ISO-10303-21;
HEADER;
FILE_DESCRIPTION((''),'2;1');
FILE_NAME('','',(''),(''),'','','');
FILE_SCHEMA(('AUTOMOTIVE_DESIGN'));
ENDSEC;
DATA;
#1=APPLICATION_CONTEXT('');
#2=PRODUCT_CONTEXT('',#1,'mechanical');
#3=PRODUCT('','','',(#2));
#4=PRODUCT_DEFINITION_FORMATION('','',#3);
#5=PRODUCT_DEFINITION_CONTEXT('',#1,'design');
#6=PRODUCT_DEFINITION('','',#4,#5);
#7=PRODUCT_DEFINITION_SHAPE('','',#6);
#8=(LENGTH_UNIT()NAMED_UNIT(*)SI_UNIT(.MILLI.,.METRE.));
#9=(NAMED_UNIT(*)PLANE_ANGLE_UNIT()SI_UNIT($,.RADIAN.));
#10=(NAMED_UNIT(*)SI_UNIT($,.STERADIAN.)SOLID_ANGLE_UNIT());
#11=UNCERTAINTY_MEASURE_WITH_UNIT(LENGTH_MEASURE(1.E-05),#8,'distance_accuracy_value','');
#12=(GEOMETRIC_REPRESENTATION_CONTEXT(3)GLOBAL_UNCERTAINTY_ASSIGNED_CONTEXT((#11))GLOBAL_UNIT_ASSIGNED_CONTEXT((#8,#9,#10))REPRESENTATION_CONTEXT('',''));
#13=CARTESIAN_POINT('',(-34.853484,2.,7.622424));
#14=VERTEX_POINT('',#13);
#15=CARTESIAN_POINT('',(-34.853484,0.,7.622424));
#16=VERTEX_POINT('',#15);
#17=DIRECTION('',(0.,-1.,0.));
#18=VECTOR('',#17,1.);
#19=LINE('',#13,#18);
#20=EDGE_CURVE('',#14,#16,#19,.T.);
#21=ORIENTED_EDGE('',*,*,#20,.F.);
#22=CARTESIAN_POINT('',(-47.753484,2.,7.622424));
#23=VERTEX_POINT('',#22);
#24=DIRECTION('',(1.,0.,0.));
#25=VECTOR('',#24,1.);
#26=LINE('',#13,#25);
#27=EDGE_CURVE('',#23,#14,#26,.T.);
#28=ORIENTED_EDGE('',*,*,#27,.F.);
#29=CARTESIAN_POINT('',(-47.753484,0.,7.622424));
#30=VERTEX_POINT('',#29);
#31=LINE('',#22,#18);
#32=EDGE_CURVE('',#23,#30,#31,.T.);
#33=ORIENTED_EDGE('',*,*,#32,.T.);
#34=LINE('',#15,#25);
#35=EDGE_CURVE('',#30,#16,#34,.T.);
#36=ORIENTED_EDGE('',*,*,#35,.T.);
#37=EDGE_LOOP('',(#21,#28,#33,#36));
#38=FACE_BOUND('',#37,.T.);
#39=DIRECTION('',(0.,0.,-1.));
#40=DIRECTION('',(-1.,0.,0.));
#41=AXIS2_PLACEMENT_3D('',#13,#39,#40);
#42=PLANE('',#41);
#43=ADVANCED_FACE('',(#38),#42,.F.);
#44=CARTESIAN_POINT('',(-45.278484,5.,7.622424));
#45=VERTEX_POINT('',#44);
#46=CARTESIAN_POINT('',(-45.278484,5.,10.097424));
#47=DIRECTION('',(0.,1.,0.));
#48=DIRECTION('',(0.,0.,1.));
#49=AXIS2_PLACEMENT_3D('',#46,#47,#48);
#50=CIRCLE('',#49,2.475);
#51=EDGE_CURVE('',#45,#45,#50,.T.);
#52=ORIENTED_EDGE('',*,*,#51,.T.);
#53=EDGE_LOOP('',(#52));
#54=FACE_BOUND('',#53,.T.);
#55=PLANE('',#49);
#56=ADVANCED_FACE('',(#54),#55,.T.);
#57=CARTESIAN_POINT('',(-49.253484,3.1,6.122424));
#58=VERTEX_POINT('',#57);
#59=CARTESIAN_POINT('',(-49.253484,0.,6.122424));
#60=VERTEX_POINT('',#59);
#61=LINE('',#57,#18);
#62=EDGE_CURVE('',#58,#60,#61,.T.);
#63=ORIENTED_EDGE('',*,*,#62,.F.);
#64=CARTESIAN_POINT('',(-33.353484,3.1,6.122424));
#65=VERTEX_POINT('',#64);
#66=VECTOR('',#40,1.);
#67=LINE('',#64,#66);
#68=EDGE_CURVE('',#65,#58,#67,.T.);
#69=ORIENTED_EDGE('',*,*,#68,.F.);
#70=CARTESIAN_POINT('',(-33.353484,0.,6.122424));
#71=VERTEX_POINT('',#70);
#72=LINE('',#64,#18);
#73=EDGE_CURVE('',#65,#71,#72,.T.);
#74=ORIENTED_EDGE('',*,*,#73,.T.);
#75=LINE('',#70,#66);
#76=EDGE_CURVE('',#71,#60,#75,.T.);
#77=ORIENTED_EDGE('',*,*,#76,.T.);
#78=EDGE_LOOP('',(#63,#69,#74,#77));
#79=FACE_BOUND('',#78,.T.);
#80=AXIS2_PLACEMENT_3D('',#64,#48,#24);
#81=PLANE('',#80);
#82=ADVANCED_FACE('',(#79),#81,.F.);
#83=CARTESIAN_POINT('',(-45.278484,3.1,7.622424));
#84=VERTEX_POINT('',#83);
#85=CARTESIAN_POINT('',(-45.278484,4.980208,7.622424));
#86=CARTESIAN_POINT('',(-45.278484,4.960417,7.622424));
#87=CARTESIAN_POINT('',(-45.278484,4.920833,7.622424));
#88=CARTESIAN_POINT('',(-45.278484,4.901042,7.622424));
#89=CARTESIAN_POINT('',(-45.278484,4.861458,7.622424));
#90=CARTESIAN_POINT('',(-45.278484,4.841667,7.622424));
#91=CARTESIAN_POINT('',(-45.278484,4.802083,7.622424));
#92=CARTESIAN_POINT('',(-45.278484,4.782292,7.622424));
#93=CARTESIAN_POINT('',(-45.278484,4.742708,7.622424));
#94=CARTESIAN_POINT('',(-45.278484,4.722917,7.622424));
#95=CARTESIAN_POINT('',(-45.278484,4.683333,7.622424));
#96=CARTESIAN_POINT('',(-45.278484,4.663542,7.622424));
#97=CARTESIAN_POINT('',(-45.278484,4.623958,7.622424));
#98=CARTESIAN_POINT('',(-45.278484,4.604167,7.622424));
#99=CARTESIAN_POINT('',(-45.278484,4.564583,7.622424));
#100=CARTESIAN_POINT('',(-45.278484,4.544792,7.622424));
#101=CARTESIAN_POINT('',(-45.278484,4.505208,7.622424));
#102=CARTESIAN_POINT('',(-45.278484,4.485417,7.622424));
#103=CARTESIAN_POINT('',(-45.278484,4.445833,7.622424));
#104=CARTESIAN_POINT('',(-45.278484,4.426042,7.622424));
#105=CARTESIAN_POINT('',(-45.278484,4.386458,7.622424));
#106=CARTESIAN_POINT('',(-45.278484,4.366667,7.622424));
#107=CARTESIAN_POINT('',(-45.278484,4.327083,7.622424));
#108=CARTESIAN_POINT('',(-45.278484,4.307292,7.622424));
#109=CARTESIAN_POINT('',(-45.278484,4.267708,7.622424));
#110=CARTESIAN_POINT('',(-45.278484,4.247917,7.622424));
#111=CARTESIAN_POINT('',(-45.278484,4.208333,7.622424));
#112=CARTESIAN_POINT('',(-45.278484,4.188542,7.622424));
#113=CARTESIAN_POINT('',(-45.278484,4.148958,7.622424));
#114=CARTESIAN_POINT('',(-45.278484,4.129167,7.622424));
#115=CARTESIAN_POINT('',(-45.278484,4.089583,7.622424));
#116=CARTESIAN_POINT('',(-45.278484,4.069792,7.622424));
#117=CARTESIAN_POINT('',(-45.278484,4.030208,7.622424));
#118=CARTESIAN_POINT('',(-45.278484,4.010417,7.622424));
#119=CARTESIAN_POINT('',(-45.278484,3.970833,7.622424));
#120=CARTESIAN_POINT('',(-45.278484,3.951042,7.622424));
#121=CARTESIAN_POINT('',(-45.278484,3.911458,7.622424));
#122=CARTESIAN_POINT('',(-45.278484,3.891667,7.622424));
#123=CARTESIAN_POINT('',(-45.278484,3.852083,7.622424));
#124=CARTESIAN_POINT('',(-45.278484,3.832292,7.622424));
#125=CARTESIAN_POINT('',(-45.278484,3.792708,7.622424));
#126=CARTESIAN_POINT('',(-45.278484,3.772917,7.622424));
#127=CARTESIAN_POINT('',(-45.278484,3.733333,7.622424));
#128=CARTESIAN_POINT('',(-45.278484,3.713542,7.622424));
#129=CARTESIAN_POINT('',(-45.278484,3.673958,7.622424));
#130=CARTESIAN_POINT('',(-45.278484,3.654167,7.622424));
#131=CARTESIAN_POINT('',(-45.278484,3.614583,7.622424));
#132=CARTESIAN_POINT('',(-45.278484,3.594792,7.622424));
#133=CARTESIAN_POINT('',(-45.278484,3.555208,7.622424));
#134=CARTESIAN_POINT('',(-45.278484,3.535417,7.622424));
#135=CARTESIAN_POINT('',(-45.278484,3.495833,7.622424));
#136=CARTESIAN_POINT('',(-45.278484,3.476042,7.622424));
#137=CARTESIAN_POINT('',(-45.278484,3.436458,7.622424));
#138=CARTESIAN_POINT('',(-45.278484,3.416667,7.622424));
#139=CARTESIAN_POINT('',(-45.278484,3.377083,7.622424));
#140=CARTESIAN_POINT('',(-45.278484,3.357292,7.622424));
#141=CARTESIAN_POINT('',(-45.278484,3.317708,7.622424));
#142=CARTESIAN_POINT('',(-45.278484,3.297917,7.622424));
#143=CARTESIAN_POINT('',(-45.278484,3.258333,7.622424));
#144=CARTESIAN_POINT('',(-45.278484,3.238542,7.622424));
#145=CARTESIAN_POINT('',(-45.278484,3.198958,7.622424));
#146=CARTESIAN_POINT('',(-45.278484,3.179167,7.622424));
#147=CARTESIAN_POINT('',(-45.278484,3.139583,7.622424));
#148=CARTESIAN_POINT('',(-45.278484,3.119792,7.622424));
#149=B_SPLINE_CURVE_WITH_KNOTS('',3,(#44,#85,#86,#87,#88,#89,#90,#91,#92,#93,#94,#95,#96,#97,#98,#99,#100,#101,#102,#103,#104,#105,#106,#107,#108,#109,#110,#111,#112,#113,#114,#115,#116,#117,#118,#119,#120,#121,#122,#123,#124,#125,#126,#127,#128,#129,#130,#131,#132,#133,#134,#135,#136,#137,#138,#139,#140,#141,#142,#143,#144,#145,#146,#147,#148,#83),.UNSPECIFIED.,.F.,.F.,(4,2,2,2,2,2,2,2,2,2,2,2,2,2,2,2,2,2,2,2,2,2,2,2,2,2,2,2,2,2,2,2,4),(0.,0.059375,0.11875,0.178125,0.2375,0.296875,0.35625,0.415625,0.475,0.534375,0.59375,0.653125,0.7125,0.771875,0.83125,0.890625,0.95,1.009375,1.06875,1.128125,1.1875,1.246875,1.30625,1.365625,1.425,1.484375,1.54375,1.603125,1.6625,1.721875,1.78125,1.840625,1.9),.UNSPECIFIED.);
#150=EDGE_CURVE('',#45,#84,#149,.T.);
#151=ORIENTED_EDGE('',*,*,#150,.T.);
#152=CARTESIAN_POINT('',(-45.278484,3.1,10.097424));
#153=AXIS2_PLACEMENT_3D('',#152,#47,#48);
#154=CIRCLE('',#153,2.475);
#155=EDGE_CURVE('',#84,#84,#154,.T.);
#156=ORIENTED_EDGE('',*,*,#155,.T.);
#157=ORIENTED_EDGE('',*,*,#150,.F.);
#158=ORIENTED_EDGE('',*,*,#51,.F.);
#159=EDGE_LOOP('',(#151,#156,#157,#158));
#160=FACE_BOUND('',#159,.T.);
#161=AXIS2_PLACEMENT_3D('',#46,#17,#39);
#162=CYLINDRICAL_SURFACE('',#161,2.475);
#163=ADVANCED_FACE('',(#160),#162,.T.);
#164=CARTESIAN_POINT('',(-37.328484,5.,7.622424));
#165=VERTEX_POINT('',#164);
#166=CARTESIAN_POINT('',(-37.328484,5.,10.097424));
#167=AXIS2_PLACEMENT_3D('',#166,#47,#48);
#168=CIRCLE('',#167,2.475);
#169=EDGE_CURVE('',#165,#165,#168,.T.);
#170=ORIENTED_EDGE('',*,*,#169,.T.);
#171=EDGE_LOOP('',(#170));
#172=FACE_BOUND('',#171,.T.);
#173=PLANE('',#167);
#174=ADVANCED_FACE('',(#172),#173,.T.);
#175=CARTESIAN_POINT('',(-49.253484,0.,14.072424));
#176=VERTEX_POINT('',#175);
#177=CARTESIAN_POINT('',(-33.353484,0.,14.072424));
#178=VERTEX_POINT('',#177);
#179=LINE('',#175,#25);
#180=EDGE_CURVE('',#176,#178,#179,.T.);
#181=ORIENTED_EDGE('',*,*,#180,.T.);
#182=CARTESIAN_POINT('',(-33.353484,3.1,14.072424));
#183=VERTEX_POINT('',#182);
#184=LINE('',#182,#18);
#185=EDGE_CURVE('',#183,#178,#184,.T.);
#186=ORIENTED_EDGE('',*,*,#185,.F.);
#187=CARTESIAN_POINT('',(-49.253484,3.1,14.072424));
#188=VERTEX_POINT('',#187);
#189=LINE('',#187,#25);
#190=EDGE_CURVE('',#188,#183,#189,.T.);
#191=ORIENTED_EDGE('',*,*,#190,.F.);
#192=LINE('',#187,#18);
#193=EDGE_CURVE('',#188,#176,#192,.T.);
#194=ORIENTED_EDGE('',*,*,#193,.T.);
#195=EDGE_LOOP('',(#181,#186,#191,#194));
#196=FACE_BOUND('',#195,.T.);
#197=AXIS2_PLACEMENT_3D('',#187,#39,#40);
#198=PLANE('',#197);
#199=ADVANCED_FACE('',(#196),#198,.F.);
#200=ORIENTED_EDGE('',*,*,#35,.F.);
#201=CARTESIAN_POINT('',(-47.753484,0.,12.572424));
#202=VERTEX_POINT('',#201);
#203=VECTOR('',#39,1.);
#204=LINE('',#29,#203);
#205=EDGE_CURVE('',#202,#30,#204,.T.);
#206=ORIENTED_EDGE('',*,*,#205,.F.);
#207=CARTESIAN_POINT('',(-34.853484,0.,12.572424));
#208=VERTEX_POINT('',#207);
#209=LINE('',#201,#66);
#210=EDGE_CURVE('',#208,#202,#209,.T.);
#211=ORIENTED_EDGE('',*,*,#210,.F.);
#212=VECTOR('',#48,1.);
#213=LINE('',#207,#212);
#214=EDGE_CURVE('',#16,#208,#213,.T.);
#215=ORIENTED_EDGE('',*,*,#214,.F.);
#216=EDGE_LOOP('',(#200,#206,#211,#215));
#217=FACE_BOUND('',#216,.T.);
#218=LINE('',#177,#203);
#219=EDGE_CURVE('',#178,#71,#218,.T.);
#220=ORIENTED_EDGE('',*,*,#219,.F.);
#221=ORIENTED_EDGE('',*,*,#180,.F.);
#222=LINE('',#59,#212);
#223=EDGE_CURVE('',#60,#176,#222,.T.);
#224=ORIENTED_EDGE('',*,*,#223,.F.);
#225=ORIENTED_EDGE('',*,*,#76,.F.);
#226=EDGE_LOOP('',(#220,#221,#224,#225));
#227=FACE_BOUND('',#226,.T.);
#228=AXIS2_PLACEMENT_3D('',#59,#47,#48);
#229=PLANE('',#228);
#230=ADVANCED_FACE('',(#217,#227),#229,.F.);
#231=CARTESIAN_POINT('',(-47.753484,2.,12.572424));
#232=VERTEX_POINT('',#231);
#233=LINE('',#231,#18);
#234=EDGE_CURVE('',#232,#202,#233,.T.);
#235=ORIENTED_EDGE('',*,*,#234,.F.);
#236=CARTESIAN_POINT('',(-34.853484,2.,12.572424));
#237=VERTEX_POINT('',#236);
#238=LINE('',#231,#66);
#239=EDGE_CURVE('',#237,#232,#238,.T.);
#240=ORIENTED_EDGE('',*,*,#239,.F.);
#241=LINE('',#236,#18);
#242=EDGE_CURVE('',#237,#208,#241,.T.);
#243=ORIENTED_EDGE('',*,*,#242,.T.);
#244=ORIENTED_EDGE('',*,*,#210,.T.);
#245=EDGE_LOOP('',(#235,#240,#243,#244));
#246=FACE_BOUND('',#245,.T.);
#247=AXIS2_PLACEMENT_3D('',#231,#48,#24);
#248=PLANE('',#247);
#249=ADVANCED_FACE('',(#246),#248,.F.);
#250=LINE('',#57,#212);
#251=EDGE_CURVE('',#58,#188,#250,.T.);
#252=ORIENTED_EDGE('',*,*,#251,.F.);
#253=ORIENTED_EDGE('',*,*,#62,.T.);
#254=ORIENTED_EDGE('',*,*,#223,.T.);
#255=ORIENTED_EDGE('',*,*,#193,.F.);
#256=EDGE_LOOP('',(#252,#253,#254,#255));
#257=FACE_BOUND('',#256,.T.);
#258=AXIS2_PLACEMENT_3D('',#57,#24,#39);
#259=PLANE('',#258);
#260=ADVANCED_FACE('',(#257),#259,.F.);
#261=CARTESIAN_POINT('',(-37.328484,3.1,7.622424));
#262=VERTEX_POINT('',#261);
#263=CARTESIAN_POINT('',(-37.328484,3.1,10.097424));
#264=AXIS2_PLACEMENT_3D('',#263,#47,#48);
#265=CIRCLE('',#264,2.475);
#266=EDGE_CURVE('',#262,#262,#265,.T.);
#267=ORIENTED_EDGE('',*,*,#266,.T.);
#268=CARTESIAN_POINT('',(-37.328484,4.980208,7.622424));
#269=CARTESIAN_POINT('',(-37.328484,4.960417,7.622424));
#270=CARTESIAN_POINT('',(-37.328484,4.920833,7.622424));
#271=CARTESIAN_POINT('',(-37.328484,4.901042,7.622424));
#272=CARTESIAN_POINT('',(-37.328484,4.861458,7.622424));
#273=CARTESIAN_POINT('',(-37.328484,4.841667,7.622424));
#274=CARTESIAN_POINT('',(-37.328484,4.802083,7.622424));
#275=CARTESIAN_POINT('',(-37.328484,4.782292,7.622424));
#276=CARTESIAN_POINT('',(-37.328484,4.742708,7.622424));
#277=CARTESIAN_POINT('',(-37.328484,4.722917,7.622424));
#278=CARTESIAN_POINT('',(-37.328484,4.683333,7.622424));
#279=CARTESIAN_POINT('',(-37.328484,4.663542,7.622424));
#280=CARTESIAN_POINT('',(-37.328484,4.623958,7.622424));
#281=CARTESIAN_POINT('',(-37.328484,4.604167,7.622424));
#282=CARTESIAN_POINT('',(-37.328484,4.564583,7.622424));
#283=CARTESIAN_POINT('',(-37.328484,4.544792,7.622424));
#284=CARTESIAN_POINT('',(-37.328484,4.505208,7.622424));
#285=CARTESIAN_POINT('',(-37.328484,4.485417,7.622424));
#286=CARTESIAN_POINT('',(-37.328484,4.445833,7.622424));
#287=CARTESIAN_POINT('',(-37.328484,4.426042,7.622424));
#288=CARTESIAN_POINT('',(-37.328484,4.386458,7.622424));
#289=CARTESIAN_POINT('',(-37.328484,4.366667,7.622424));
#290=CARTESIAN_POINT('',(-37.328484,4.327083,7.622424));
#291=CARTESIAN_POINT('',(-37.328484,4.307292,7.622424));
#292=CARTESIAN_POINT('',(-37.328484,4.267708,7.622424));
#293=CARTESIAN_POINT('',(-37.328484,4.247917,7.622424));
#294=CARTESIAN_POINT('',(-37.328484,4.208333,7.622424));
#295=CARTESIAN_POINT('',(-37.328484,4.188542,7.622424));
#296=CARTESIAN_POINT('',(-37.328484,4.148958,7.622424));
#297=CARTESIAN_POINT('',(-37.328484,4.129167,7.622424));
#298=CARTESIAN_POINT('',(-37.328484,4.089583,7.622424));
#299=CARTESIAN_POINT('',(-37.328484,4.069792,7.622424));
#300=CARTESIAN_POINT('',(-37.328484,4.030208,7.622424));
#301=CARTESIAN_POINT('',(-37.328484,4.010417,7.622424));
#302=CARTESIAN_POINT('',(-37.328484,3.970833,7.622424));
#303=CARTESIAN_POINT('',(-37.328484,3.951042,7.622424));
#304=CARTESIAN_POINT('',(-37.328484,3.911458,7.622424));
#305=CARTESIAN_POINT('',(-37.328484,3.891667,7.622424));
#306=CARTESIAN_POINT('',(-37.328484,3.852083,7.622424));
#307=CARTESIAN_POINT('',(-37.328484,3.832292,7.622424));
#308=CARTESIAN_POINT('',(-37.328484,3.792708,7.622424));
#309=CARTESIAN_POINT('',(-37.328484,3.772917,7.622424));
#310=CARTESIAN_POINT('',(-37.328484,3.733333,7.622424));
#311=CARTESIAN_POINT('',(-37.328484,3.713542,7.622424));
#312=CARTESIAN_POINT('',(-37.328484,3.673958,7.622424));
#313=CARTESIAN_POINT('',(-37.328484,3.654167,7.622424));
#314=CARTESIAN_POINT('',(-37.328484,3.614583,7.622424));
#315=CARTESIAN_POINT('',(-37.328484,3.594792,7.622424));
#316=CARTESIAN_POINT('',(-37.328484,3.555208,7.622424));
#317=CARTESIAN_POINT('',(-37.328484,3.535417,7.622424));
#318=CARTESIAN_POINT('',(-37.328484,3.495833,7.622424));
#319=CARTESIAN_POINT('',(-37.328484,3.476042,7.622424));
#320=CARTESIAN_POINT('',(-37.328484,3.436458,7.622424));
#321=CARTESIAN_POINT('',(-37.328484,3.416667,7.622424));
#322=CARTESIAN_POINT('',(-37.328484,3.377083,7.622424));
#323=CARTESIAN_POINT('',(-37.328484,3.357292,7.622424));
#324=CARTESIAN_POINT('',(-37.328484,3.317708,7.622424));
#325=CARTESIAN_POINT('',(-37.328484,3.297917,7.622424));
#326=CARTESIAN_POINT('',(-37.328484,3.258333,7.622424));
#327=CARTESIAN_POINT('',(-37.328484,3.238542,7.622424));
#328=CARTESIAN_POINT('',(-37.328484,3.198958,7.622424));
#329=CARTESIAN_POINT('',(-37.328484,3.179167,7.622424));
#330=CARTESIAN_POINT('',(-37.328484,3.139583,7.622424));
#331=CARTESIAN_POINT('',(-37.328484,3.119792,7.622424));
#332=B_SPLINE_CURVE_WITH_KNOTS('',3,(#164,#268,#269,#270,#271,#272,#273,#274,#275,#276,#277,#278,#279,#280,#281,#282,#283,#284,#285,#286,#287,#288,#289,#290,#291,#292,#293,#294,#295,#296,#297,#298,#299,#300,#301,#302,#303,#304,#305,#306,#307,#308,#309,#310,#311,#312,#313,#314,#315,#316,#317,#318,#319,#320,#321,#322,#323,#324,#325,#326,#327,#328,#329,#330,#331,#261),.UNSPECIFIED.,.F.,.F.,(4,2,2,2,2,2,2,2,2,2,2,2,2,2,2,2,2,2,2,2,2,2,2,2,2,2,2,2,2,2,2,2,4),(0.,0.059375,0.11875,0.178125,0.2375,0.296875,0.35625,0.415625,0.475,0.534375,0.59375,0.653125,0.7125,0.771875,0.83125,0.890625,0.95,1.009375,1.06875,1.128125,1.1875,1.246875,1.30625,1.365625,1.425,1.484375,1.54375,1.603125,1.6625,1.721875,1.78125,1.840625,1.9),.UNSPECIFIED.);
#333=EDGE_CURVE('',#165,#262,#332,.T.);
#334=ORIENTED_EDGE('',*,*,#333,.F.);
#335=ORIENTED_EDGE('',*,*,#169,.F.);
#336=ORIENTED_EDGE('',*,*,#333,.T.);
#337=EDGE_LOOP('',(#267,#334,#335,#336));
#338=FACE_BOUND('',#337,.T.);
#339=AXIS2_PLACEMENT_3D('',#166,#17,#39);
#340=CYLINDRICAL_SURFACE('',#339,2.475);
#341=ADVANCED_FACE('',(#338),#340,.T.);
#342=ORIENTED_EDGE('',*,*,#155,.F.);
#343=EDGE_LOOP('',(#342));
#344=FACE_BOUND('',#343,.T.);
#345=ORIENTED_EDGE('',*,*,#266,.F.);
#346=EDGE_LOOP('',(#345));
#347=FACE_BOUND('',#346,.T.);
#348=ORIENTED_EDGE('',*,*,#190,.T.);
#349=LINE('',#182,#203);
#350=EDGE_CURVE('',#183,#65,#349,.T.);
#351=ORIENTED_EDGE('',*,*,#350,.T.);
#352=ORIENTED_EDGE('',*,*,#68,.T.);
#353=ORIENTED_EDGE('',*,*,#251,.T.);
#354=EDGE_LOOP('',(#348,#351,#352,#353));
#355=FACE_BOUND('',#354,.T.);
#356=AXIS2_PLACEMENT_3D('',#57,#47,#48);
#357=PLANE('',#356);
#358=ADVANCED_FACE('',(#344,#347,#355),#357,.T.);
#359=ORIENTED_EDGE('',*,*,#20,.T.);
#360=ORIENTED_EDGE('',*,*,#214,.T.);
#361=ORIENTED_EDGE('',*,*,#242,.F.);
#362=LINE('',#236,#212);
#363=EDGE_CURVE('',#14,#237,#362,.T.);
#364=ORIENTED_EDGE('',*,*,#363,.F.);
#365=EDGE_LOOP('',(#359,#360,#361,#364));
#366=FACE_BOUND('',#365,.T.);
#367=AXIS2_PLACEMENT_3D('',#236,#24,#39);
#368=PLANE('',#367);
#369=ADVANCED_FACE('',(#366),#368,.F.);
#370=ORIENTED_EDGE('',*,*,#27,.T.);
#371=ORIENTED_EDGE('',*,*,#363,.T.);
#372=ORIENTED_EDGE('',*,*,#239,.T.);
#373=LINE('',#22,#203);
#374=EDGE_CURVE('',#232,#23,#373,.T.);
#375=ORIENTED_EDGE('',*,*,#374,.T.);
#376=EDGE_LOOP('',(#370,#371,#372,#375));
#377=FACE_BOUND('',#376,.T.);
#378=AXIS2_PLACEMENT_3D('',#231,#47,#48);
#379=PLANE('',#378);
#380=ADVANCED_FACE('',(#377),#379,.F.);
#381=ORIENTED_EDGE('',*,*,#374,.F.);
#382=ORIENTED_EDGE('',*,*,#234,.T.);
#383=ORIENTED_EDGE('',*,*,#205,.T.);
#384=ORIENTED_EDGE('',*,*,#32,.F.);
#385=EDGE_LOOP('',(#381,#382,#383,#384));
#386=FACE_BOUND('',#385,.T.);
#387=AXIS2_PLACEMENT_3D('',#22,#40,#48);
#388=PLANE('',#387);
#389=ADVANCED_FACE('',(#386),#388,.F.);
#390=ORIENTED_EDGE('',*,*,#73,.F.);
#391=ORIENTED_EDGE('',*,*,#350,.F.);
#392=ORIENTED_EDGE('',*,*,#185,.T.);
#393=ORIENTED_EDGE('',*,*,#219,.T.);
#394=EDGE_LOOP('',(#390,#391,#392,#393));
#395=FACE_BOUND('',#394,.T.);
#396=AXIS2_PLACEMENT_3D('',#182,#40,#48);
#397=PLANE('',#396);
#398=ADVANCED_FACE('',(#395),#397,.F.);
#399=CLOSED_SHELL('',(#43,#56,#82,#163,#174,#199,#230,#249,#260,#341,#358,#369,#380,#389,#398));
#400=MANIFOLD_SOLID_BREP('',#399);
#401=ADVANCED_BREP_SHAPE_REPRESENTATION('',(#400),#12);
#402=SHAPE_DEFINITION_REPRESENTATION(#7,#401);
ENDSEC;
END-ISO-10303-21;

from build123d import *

# Parameters (mm, degrees)
SKETCH1_W           = 15.9
SKETCH1_H           = 7.95
BOSS_EXTRUDE1_DEPTH = 3.1
SKETCH2_R           = 2.475
BOSS_EXTRUDE2_DEPTH = 1.9
SKETCH3_W           = 12.9
SKETCH3_H           = 4.95
CUT_EXTRUDE1_DEPTH  = 2


with BuildPart() as part:
    # Sketch1 → Boss-Extrude1 (new body)
    with BuildSketch(Plane(origin=(0, 0, 0), x_dir=(1, 0, 0), z_dir=(0, 1, 0))):
        with Locations((-41.303484122, -10.097424035)):
            Rectangle(SKETCH1_W, SKETCH1_H)
    extrude(amount=BOSS_EXTRUDE1_DEPTH)

    # Sketch2 → Boss-Extrude2 (add)
    with BuildSketch(Plane(origin=(0, 3.1, 0), x_dir=(1, 0, 0), z_dir=(0, 1, 0))):
        with Locations(Location((-45.278484122, -10.097424035, 0), (0, 0, 90))):
            Circle(SKETCH2_R)
        with Locations(Location((-37.328484122, -10.097424035, 0), (0, 0, 90))):
            Circle(SKETCH2_R)
    extrude(amount=BOSS_EXTRUDE2_DEPTH)

    # Sketch3 → Cut-Extrude1 (cut)
    with BuildSketch(Plane.XZ):
        with Locations((-41.303484122, 10.097424035)):
            Rectangle(SKETCH3_W, SKETCH3_H)
    extrude(amount=-CUT_EXTRUDE1_DEPTH, mode=Mode.SUBTRACT)


solid = part.part
